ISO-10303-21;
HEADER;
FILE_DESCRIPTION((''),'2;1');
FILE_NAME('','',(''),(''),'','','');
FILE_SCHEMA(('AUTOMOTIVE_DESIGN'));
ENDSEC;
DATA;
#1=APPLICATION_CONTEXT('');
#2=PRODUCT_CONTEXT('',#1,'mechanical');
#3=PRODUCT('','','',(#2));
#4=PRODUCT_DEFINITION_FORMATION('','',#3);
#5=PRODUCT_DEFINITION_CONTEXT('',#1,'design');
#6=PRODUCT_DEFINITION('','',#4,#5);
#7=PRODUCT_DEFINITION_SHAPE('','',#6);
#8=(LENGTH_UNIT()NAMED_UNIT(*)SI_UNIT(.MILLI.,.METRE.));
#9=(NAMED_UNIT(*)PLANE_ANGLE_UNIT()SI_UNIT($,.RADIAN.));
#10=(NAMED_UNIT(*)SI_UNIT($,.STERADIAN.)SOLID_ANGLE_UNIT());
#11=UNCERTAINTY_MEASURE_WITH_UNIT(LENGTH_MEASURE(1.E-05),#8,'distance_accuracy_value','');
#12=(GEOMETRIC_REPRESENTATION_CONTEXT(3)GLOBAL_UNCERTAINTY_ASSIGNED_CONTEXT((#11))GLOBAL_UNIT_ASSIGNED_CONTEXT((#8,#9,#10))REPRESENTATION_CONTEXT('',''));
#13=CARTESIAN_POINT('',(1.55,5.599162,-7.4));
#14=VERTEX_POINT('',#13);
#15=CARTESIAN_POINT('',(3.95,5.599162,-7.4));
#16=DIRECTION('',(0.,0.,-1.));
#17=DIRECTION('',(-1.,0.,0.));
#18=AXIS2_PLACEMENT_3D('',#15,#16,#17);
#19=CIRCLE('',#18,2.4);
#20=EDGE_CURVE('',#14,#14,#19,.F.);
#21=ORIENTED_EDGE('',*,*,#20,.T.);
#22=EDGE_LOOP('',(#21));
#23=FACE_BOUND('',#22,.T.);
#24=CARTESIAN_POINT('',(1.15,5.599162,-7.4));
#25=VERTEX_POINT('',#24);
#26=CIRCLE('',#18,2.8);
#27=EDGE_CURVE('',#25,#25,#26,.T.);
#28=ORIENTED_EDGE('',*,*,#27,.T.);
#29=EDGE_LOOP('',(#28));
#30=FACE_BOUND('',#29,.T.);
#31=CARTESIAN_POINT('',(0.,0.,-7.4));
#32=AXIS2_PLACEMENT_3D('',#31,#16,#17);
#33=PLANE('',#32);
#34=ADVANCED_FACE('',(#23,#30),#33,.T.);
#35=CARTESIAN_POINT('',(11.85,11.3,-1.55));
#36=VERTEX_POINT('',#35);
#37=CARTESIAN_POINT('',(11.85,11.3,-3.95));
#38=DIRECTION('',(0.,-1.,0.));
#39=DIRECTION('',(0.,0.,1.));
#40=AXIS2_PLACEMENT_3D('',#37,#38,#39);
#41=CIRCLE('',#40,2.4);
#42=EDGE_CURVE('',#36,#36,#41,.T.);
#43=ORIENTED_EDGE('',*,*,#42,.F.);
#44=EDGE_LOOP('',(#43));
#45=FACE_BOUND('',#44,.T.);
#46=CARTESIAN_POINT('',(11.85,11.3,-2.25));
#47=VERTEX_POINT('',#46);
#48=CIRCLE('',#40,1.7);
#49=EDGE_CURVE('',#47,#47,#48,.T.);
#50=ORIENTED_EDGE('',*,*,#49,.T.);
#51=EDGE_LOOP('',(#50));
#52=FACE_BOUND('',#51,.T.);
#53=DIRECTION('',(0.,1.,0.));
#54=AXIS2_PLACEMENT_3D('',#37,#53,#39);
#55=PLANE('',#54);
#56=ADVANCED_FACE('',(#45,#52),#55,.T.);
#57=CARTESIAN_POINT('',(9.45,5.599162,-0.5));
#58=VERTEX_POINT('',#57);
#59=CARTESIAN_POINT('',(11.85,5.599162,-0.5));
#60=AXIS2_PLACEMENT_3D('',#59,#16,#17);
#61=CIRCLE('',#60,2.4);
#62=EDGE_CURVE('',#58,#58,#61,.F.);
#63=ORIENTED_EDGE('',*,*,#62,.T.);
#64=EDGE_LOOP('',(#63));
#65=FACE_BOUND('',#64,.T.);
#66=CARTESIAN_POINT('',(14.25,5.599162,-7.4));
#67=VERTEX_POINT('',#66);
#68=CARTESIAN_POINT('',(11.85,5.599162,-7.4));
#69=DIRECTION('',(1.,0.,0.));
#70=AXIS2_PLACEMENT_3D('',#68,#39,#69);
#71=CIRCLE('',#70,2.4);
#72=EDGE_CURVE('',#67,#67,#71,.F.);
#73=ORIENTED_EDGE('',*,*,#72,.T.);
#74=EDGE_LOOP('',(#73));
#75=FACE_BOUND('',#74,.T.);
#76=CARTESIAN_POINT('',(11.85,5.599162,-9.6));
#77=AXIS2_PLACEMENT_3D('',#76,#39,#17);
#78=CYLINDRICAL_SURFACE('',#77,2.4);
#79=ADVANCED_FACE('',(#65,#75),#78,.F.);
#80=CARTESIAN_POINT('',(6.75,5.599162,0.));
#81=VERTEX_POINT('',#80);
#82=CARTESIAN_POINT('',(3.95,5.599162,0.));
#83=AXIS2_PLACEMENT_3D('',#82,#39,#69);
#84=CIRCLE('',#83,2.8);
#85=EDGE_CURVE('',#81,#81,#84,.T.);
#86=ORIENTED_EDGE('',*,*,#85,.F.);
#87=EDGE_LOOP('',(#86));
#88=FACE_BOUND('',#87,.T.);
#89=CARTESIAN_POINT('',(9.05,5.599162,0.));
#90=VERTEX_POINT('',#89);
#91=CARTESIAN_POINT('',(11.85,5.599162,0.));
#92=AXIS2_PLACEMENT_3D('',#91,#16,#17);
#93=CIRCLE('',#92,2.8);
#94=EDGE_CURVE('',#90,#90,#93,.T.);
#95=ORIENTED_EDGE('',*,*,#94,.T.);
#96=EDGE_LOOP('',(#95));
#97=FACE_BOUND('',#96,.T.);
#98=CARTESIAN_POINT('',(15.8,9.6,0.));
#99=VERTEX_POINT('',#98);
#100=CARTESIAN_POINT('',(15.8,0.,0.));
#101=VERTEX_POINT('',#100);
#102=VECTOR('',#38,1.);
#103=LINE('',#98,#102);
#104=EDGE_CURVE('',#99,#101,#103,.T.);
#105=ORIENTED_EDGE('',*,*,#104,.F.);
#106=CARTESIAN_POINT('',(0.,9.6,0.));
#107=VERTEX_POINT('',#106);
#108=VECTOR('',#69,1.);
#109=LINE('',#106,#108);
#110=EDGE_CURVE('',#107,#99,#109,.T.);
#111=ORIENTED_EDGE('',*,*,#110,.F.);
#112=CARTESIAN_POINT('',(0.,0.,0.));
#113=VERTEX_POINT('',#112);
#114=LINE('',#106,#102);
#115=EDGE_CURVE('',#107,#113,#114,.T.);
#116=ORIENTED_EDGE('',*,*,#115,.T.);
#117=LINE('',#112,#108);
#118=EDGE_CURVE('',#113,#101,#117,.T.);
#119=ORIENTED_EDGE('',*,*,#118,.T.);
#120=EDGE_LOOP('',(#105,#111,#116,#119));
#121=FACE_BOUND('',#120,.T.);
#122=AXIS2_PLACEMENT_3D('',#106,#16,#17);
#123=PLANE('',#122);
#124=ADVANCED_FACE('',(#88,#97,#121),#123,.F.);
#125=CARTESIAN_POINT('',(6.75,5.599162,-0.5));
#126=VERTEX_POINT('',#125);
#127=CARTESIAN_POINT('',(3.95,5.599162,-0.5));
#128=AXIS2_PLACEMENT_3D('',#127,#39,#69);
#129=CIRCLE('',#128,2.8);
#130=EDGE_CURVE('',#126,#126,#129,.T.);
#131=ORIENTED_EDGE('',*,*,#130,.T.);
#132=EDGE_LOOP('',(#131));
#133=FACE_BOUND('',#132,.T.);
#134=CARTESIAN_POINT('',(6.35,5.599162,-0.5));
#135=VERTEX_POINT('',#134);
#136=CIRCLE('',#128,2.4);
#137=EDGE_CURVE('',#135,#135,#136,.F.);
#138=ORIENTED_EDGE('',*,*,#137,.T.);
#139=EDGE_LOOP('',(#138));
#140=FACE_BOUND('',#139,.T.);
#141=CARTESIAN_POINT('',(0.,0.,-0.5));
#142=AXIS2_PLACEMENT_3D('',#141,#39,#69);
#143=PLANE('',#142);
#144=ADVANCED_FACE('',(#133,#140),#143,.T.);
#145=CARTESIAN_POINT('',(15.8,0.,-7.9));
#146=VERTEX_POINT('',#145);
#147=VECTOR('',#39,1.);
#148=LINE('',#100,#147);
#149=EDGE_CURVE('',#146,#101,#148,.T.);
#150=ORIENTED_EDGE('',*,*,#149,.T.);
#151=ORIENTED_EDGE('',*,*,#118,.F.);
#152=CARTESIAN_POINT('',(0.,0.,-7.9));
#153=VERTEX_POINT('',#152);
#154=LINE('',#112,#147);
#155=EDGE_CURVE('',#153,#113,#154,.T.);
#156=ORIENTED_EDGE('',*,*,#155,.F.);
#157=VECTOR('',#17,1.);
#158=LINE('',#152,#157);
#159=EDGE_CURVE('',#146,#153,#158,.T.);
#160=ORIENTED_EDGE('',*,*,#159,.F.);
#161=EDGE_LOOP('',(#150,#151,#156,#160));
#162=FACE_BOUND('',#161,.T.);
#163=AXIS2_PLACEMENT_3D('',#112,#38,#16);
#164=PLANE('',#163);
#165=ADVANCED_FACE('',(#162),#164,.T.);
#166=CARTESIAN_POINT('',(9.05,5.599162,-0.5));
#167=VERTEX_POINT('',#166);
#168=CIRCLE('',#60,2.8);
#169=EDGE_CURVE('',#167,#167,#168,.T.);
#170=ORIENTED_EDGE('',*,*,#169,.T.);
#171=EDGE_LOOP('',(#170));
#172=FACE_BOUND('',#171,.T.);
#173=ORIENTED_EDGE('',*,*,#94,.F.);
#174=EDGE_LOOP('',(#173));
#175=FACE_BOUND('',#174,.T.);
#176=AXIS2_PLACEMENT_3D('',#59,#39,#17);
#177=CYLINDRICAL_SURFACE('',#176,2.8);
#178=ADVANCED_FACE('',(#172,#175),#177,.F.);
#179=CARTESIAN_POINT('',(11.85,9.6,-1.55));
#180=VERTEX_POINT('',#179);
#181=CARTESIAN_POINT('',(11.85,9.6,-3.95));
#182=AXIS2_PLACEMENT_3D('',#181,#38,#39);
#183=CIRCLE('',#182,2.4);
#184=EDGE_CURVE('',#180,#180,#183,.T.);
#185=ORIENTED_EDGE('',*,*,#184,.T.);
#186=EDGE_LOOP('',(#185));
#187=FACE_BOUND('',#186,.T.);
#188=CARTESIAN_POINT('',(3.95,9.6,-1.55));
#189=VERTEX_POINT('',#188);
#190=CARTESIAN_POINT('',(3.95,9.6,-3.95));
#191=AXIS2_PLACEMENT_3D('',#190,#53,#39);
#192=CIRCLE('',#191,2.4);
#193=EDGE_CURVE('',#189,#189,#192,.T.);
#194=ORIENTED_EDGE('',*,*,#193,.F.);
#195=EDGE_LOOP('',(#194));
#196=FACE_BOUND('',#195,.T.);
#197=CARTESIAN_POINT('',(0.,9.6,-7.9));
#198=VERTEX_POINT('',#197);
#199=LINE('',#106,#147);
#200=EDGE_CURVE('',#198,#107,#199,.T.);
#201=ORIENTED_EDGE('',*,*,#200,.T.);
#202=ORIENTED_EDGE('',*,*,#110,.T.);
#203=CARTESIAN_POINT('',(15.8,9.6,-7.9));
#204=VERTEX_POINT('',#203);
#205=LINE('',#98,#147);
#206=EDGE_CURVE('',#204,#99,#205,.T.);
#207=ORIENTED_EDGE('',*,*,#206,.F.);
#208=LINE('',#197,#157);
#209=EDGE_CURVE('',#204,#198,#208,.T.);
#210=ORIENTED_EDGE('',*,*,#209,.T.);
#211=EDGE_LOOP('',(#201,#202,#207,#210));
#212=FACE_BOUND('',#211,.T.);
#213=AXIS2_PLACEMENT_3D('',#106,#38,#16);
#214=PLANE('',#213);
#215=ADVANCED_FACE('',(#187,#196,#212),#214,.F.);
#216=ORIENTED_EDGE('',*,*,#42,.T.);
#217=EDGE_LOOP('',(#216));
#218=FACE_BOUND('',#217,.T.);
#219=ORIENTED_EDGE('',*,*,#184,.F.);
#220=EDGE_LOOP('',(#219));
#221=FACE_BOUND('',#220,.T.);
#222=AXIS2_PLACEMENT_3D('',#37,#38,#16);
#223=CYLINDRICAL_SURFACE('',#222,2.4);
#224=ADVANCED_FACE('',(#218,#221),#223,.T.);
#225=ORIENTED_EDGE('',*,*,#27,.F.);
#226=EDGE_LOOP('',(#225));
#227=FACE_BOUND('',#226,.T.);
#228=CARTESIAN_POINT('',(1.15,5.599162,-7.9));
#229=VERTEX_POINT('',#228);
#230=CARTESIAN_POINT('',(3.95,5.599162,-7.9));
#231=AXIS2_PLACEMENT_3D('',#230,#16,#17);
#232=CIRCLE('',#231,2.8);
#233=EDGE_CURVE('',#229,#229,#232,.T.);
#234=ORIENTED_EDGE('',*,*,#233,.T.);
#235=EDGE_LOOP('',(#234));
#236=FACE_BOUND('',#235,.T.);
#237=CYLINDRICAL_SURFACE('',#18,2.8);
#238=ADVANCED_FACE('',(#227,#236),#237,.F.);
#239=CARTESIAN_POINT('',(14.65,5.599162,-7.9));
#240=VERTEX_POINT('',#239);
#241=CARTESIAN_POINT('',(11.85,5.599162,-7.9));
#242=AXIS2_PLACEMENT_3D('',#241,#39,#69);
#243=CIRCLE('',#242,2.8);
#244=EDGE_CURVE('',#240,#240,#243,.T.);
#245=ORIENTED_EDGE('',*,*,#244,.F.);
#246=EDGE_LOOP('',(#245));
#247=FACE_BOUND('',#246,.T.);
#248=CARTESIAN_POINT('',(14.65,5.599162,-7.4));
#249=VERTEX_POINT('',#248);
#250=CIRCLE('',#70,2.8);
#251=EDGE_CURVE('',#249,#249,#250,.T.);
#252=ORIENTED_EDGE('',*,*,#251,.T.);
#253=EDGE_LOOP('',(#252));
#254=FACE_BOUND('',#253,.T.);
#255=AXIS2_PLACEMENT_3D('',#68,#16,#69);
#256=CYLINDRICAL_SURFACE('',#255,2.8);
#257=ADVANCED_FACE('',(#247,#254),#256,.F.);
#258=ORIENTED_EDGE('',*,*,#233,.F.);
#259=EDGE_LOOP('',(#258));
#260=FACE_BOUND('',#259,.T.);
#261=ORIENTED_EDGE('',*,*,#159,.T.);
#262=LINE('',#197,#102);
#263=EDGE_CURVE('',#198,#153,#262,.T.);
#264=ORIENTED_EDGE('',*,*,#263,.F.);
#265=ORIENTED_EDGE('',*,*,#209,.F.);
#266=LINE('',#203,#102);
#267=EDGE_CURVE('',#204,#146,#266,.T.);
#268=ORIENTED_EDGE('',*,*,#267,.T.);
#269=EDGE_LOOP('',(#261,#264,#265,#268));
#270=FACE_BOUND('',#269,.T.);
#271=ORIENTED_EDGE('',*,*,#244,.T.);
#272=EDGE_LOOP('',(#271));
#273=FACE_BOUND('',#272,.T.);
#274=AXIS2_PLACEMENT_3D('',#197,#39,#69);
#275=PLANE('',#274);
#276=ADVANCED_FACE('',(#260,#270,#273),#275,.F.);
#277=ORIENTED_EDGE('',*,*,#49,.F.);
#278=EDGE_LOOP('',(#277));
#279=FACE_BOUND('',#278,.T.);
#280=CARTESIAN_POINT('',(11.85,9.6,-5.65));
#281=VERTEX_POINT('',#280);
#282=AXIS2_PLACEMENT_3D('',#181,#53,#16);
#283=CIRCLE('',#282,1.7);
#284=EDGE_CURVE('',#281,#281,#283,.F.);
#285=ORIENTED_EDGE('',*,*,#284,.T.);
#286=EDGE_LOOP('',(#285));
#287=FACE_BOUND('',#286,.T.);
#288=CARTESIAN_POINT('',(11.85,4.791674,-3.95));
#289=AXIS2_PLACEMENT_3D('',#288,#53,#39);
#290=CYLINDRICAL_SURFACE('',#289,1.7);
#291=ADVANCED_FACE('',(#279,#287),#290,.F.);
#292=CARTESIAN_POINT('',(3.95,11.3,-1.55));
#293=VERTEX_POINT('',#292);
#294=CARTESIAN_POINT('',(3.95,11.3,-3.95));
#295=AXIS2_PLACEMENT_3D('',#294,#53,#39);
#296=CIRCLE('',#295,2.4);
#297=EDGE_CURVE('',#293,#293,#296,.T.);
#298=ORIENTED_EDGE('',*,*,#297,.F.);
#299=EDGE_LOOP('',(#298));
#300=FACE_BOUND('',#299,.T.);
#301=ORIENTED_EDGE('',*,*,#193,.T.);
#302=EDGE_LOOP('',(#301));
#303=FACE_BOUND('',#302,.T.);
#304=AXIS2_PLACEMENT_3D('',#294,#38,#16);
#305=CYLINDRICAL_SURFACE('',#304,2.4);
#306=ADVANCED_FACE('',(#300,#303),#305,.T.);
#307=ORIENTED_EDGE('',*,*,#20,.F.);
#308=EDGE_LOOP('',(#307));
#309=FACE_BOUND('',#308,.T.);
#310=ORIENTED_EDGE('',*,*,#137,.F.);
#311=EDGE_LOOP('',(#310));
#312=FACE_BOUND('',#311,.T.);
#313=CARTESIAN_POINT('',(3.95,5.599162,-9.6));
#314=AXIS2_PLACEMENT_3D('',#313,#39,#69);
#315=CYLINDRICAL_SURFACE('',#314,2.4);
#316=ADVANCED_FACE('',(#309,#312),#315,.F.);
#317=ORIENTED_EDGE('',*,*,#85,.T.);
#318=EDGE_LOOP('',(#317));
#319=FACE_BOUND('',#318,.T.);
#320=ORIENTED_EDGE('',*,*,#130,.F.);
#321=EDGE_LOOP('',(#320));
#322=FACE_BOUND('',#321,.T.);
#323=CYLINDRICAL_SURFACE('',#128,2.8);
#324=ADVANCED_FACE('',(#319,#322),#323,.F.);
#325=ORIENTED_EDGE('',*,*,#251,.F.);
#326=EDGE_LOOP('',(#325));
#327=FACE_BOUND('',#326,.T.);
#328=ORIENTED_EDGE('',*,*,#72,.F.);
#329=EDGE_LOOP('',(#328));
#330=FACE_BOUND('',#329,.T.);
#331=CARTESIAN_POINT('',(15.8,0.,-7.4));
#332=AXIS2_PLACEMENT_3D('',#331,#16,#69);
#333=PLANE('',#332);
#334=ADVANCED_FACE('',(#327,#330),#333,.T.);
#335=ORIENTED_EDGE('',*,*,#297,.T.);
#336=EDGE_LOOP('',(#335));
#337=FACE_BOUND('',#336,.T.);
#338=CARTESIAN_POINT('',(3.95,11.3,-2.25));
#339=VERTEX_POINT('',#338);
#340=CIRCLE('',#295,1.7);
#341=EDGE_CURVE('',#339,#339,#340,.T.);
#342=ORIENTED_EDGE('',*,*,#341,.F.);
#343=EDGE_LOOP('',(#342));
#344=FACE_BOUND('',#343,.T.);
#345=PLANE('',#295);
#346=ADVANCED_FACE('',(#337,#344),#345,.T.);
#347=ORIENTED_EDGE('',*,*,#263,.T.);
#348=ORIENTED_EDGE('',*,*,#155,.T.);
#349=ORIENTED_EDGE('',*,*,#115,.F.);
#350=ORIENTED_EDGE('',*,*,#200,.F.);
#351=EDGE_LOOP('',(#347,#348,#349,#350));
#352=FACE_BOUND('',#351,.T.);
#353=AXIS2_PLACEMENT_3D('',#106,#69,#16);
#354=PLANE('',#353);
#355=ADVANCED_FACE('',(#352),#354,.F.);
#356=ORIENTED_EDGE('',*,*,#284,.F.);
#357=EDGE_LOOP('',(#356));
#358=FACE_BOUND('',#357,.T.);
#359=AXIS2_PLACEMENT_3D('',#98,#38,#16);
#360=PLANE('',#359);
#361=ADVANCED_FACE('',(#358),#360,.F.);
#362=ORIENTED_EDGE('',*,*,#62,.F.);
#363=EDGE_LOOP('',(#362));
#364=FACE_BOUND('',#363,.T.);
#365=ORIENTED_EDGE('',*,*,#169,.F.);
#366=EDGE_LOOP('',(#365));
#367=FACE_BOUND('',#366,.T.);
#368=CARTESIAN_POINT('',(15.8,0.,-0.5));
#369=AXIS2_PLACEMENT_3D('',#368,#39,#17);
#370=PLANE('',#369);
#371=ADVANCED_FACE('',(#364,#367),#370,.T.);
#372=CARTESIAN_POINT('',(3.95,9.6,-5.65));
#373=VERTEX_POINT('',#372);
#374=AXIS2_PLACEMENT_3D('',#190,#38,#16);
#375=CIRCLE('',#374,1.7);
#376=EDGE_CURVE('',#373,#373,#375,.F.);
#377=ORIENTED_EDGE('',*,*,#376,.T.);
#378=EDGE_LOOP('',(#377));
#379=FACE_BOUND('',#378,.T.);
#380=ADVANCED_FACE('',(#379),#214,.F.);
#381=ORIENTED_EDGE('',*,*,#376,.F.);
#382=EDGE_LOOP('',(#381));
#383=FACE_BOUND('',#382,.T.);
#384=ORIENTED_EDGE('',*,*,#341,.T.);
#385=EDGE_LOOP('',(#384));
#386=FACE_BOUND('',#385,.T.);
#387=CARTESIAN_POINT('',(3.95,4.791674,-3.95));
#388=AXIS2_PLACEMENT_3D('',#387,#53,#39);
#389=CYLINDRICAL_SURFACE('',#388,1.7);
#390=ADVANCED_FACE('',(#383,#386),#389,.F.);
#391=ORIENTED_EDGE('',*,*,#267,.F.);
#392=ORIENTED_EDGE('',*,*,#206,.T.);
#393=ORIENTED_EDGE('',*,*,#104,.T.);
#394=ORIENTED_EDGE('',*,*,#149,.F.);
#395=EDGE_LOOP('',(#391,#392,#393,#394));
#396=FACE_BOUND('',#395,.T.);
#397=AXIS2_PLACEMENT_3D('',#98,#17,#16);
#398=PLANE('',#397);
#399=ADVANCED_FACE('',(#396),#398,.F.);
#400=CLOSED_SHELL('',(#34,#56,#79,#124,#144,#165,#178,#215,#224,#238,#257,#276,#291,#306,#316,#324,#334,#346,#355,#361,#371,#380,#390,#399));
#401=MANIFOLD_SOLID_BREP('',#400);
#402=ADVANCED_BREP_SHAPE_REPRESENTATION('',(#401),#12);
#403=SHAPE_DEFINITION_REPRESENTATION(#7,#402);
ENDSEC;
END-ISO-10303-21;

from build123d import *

# Parameters (mm, degrees)
SKETCH1_W           = 7.9
SKETCH1_H           = 7.9
BOSS_EXTRUDE1_DEPTH = 9.6
CUT_EXTRUDE1_DEPTH  = 9.6
SKETCH3_R           = 2.8
CUT_EXTRUDE2_DEPTH  = 0.5
CUT_EXTRUDE3_START  = -0.5
SKETCH4_R           = 2.8
SKETCH4_R_2         = 2.4
CUT_EXTRUDE3_DEPTH  = 0.5
SKETCH5_R           = 2.4
BOSS_EXTRUDE2_DEPTH = 1.7
CUT_EXTRUDE4_DEPTH  = 1.7


with BuildPart() as part:
    # Sketch1 → Boss-Extrude1 (new body)
    with BuildSketch(Plane(origin=(0, 0, 0), x_dir=(1, 0, 0), z_dir=(0, 1, 0))):
        with Locations((3.95, 3.95)):
            Rectangle(SKETCH1_W, SKETCH1_H)
    extrude(amount=BOSS_EXTRUDE1_DEPTH)

    # Sketch2 → Cut-Extrude1 (cut)
    with BuildSketch(Plane.XY):
        with BuildLine():
            ThreePointArc((3.95, 7.999162379), (1.55, 5.599162379), (3.95, 3.199162379))
            Line((3.95, 3.199162379), (3.95, 3.2))
            Line((3.95, 3.2), (3.95, 7.998324758))
            Line((3.95, 7.998324758), (3.95, 7.999162379))
        make_face()
        with BuildLine():
            Line((3.95, 3.2), (3.95, 3.199162379))
            ThreePointArc((3.95, 3.199162379), (5.647056275, 3.902106104), (6.35, 5.599162379))
            ThreePointArc((6.35, 5.599162379), (5.647056275, 7.296218654), (3.95, 7.999162379))
            Line((3.95, 7.999162379), (3.95, 7.998324758))
            Line((3.95, 7.998324758), (3.95, 3.2))
        make_face()
    extrude(amount=-CUT_EXTRUDE1_DEPTH, mode=Mode.SUBTRACT)

    # Sketch3 → Cut-Extrude2 (cut)
    with BuildSketch(Plane.XY):
        with Locations((3.95, 5.599162379)):
            Circle(SKETCH3_R)
    extrude(amount=-CUT_EXTRUDE2_DEPTH, mode=Mode.SUBTRACT)

    # Sketch4 → Cut-Extrude3 (cut)
    with BuildSketch(Plane(origin=(0, 0, -7.9), x_dir=(-1, 0, 0), z_dir=(0, 0, -1)).offset(CUT_EXTRUDE3_START)):
        with Locations(Location((-3.95, 5.599162379, 0), (0, 0, 180))):
            Circle(SKETCH4_R)
        with Locations(Location((-3.95, 5.599162379, 0), (0, 0, 180))):
            Circle(SKETCH4_R_2, mode=Mode.SUBTRACT)
    extrude(amount=CUT_EXTRUDE3_DEPTH, mode=Mode.SUBTRACT)

    # Sketch5 → Boss-Extrude2 (add)
    with BuildSketch(Plane(origin=(0, 9.6, 0), x_dir=(1, 0, 0), z_dir=(0, 1, 0))):
        with Locations(Location((3.95, 3.95, 0), (0, 0, 270))):
            Circle(SKETCH5_R)
    extrude(amount=BOSS_EXTRUDE2_DEPTH)

    # Sketch6 → Cut-Extrude4 (cut)
    with BuildSketch(Plane(origin=(0, 11.3, 0), x_dir=(1, 0, 0), z_dir=(0, 1, 0))):
        with BuildLine():
            ThreePointArc((5.65, 3.95), (3.95, 5.65), (2.25, 3.95))
            Line((2.25, 3.95), (5.65, 3.95))
        make_face()
        with BuildLine():
            Line((5.65, 3.95), (2.25, 3.95))
            ThreePointArc((2.25, 3.95), (3.95, 2.25), (5.65, 3.95))
        make_face()
    extrude(amount=-CUT_EXTRUDE4_DEPTH, mode=Mode.SUBTRACT)

    # Mirror1: part across plane


with BuildPart() as part_1:
    add(part.part)
    add(part.part.mirror(Plane(origin=(7.9, 9.6, 0), x_dir=(0, 0, 1), z_dir=(-1, 0, 0))))


solid = part_1.part
